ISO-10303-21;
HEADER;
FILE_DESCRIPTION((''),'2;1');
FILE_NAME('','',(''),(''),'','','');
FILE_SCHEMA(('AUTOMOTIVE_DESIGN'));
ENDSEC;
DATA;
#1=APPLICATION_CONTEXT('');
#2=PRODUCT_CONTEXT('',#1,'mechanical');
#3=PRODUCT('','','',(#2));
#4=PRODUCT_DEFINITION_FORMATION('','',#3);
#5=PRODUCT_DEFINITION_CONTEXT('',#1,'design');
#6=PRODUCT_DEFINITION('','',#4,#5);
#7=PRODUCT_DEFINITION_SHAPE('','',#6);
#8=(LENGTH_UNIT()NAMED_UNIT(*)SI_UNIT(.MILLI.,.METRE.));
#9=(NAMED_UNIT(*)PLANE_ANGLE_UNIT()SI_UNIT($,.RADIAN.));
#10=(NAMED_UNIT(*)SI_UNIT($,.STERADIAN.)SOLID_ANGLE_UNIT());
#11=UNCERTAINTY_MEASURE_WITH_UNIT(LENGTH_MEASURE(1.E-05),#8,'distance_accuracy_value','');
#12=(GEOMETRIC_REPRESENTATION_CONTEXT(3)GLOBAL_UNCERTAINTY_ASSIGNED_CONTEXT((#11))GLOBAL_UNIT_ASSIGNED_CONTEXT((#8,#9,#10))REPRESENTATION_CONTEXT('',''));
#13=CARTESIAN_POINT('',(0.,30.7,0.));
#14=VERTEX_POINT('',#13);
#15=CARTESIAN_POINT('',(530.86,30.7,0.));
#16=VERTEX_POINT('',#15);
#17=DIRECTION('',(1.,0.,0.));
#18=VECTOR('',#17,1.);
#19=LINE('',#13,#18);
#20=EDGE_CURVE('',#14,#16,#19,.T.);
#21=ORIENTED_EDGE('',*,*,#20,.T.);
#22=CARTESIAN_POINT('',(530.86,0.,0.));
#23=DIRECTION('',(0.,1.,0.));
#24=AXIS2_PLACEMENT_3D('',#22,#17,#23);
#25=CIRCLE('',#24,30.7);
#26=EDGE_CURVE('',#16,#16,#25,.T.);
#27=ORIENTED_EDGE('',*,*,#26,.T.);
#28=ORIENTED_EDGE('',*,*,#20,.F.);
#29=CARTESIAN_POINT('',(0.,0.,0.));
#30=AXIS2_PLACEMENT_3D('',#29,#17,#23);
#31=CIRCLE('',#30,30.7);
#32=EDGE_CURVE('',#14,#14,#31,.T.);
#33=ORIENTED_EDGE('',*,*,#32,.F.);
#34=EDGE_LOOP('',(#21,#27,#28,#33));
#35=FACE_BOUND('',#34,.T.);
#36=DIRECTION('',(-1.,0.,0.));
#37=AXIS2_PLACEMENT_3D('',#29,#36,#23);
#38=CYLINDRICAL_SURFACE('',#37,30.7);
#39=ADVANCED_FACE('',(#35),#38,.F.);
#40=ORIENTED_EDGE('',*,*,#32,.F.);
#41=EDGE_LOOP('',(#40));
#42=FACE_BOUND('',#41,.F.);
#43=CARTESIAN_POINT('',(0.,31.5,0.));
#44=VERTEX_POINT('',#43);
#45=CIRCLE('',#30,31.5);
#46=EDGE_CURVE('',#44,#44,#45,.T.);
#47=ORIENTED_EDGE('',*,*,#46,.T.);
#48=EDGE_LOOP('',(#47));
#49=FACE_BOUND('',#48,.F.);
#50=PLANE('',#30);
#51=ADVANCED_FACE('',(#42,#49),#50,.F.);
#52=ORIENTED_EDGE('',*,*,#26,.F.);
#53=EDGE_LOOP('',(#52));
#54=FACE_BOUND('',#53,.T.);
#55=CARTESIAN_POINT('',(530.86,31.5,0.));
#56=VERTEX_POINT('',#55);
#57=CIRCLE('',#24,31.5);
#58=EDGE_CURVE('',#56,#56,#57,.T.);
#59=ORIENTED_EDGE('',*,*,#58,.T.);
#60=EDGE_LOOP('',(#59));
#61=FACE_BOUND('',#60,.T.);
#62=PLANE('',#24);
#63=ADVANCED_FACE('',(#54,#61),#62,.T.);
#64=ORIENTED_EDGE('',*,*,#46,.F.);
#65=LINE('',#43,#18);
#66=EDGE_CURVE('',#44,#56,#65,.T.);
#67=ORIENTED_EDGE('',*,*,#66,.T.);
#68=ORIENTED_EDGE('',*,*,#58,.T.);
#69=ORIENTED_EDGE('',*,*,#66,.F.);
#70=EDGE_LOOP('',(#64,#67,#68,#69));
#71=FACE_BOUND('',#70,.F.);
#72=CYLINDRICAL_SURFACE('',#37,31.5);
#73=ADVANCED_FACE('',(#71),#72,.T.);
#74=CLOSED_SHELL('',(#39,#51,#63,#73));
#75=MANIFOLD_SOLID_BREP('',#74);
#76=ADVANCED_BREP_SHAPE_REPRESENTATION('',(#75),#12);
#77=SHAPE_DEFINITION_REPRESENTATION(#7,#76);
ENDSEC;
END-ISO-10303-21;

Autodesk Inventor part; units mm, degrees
ref_plane "YZ Plane" through (0, 0, 0) normal (1, 0, 0) x (0, 1, 0)
ref_plane "XZ Plane" through (0, 0, 0) normal (0, 1, 0) x (-1, 0, 0)
ref_plane "XY Plane" through (0, 0, 0) normal (0, 0, 1) x (1, 0, 0)
sketch "Sketch1" plane through (0, 0, 0) normal (1, 0, 0) x (0, 1, 0)
  circle A0 centre (0, 0) radius 31.5
  circle A1 centre (0, 0) radius 30.7
  dimension "d0" = 63
  dimension "d1" = 0.8
extrude "Extrusion1" add sketch "Sketch1" along normal blind 530.86
equation "\"d0\" = OD"
equation "\"d1\" = t"
equation "\"d2\" = L"
equation "\"OD\" = 63"
equation "\"t\" = 0.8"
equation "\"L\" = PL"
equation "\"ID\" = 61.4"
equation "\"PL\" = 530.86"
properties part number "ISO 4065 Pipe DN63x0.8xS40 - 403.86000000" material "PVC-Piping"
